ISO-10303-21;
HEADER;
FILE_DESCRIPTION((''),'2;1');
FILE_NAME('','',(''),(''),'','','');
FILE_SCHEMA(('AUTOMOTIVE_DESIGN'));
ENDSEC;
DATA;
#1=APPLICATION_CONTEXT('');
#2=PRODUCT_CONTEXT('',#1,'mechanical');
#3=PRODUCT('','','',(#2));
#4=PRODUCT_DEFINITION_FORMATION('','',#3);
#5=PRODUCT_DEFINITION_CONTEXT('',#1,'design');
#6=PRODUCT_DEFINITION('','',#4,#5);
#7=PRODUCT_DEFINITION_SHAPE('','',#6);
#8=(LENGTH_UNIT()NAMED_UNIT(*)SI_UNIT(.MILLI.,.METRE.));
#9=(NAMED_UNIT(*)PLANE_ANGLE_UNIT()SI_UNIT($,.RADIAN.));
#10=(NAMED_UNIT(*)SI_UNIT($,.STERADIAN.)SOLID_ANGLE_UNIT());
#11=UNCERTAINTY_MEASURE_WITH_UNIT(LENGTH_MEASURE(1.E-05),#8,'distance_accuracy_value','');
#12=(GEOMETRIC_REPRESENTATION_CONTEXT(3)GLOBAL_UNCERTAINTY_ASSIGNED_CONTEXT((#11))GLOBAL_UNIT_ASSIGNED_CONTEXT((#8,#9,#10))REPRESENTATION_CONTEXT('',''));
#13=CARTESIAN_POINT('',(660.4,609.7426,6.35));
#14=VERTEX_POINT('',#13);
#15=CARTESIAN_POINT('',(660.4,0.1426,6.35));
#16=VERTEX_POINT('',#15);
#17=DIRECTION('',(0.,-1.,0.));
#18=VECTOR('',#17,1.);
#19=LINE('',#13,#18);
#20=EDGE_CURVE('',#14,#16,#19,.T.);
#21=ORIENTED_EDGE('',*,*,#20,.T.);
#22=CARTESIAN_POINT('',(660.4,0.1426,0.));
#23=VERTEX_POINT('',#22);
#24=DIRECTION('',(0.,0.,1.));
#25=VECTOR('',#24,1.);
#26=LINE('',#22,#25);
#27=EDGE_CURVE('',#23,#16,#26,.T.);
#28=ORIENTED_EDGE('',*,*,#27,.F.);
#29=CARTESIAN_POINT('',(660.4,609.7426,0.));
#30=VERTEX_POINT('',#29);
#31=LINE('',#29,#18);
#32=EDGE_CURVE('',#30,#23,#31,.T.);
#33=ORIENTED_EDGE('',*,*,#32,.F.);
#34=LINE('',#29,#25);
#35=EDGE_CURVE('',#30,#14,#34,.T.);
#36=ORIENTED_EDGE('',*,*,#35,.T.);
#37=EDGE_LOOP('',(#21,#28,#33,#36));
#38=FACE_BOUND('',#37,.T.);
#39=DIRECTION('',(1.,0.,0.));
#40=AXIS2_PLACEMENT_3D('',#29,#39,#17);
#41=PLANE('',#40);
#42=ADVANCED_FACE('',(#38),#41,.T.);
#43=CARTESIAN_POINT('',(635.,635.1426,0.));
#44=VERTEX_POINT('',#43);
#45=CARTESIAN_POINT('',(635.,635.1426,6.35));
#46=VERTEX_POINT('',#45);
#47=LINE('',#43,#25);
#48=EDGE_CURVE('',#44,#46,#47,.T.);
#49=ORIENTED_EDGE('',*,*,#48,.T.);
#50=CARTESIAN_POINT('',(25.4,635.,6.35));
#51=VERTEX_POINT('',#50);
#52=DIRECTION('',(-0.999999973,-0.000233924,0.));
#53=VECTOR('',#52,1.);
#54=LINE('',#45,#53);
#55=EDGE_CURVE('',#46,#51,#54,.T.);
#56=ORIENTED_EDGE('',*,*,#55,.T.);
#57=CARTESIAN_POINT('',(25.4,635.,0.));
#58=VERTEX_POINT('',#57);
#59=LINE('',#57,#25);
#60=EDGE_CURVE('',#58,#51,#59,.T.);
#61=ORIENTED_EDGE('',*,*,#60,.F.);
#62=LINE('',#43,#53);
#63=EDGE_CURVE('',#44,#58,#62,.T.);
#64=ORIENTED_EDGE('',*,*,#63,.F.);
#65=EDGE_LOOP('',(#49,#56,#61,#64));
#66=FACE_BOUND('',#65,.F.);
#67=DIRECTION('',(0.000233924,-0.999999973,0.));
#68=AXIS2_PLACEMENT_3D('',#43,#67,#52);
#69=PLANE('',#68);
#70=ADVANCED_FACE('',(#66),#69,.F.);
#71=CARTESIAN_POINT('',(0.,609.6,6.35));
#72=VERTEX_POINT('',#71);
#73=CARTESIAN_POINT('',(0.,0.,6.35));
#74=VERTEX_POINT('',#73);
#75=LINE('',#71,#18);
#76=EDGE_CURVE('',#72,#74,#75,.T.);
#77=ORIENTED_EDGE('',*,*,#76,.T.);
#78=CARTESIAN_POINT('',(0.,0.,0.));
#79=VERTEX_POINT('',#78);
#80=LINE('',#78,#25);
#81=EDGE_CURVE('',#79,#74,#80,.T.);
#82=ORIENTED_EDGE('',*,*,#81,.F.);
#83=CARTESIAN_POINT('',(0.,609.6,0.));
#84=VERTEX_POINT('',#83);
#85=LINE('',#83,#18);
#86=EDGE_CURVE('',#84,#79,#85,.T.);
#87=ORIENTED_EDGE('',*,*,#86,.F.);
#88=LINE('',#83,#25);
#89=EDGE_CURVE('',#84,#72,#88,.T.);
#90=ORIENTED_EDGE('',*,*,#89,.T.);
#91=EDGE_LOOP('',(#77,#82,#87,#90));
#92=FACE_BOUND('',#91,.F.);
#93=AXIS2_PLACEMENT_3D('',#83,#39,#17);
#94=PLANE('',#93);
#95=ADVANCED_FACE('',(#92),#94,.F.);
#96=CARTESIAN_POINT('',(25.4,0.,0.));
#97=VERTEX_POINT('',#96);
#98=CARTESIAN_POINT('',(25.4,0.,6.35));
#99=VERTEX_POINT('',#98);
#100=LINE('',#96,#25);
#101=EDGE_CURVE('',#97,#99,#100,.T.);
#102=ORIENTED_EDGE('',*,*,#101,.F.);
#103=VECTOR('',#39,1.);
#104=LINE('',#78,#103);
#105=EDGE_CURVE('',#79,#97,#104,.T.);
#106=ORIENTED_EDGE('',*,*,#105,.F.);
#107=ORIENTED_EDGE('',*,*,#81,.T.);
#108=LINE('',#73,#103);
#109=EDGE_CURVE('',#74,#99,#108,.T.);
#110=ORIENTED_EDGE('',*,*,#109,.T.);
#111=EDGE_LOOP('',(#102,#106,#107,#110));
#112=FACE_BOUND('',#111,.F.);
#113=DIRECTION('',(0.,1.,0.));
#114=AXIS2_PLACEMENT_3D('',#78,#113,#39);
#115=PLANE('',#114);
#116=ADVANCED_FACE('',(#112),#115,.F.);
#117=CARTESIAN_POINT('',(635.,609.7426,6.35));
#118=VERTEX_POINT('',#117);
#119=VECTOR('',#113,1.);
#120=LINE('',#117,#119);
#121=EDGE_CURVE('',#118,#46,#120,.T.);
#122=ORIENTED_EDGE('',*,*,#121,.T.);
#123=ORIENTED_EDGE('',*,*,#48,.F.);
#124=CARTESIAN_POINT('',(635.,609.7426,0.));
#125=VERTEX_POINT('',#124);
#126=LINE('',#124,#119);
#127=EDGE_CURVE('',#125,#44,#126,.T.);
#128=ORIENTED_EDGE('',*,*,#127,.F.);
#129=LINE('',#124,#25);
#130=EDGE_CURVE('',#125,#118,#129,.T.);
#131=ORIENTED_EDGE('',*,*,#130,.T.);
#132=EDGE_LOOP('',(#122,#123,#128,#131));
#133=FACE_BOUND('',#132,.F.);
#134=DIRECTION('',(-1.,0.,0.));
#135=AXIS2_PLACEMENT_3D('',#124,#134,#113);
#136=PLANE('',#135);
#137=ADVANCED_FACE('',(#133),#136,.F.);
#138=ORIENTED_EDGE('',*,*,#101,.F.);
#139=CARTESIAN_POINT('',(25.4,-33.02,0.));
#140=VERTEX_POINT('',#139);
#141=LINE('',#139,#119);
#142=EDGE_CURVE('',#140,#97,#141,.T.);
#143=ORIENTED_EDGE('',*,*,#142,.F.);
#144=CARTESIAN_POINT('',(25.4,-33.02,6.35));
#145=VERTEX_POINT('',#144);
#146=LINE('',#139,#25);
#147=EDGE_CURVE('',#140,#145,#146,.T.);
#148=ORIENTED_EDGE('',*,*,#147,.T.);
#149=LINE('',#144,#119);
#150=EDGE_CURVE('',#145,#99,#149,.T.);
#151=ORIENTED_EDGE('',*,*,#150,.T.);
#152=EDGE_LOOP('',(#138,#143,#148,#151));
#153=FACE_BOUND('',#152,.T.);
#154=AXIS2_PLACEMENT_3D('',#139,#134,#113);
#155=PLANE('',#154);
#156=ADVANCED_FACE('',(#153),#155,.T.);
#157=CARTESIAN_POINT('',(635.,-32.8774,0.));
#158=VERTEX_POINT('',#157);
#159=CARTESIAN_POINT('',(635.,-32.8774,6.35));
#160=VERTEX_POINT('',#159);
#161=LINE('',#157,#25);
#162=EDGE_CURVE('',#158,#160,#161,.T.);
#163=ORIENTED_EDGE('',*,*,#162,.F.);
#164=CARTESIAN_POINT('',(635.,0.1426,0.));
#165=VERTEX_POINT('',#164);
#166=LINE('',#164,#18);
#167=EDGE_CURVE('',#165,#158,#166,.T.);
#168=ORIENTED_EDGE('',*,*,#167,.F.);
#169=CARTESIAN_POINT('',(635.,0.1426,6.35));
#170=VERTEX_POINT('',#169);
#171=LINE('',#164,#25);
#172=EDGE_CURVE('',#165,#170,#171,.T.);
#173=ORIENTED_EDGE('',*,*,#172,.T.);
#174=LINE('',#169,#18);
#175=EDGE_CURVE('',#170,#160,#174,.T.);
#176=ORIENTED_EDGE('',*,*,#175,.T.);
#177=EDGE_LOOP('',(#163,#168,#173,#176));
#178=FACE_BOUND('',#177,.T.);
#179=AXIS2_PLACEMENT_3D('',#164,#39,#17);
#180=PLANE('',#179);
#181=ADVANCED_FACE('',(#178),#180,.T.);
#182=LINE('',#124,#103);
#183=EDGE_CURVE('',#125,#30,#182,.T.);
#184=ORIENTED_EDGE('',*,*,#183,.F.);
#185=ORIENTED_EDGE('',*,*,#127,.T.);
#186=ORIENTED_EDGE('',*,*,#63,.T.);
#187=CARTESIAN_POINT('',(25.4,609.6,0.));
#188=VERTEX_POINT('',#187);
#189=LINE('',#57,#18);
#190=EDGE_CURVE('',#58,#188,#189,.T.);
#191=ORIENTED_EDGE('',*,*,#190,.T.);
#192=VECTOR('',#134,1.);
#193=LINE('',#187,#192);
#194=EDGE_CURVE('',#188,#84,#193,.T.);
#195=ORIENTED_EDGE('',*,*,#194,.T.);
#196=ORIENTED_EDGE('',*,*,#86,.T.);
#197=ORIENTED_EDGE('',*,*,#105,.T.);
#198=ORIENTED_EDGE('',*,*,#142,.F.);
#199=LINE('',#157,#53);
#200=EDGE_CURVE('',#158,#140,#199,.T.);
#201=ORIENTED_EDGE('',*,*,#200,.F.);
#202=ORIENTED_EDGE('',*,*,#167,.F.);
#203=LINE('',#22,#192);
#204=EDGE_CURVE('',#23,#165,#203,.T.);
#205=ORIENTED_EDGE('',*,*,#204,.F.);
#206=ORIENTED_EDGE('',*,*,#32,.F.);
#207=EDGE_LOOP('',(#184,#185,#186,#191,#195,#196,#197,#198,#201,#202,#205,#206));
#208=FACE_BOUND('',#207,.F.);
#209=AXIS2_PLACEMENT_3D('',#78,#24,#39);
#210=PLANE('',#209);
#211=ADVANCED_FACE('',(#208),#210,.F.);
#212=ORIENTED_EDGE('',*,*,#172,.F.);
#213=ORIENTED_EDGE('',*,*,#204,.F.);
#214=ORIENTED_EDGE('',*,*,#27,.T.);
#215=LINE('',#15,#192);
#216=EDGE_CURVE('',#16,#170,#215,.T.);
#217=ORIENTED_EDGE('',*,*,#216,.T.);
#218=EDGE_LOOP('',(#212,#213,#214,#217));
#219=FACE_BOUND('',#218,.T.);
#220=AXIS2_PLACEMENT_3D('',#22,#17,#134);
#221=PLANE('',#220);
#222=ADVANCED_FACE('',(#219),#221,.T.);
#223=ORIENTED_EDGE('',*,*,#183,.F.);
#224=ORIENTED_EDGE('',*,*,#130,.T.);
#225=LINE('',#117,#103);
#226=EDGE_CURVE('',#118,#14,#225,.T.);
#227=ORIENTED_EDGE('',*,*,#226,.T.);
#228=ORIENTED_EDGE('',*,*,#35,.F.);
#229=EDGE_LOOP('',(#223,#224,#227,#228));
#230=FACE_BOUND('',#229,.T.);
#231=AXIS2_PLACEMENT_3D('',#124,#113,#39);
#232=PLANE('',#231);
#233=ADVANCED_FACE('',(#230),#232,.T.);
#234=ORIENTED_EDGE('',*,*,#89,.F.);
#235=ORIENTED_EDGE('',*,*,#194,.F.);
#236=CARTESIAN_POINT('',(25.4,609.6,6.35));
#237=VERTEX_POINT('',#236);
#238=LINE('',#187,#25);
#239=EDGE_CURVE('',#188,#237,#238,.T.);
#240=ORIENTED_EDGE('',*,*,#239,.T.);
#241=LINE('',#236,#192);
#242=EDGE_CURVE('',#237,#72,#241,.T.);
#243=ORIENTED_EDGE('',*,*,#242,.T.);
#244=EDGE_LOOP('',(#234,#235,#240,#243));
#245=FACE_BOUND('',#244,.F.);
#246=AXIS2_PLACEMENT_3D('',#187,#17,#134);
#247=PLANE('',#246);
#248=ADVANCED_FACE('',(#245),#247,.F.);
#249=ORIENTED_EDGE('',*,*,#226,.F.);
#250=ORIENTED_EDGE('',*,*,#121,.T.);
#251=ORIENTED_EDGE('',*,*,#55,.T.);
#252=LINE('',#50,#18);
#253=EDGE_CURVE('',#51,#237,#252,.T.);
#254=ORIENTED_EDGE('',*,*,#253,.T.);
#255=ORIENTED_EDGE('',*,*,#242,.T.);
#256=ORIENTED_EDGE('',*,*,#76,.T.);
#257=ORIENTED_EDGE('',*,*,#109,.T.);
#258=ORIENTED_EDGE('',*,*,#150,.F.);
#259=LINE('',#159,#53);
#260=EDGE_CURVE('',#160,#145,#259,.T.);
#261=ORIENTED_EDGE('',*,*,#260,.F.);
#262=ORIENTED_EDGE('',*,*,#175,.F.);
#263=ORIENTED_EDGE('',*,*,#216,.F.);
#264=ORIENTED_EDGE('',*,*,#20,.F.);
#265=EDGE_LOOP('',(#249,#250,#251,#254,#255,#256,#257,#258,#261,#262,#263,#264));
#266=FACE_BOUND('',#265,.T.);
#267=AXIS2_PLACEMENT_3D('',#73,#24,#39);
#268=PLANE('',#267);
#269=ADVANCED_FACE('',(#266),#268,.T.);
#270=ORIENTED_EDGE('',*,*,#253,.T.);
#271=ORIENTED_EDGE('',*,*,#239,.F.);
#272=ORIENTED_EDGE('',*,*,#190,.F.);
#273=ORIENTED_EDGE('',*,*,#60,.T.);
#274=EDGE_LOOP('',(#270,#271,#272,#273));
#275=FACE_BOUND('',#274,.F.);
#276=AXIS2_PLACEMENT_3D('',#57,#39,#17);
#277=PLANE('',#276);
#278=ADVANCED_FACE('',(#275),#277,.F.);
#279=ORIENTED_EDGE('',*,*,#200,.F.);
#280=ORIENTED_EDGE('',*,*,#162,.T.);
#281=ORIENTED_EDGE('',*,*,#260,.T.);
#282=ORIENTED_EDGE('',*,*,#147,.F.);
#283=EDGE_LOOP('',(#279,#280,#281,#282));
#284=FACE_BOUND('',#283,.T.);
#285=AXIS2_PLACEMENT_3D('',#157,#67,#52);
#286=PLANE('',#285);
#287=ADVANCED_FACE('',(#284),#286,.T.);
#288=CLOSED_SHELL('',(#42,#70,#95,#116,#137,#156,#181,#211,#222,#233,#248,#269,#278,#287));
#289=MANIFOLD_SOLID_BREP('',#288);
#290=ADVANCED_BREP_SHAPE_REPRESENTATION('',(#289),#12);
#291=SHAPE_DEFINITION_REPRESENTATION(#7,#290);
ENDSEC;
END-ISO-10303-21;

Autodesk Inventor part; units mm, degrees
ref_plane "YZ Plane" through (0, 0, 0) normal (1, 0, 0) x (0, 1, 0)
ref_plane "XZ Plane" through (0, 0, 0) normal (0, 1, 0) x (-1, 0, 0)
ref_plane "XY Plane" through (0, 0, 0) normal (0, 0, 1) x (1, 0, 0)
sketch "Sketch1" plane through (0, 0, 0) normal (0, 0, 1) x (1, 0, 0)
  point P0 (0, 0)
sketch "Sketch2" plane through (0, 0, 0) normal (0, 0, 1) x (1, 0, 0)
  line L0 (0, 0) -> (25.4, 0)
  line L1 (25.4, 609.6) -> (0, 609.6)
  line L2 (0, 609.6) -> (0, 0)
  line L3 (635, 0.1426) -> (635, -32.8774)
  line L4 (635, -32.8774) -> (25.4, -33.02)
  line L5 (25.4, -33.02) -> (25.4, 0)
  line L6 (635, 609.7426) -> (635, 635.1426)
  line L7 (635, 635.1426) -> (25.4, 635)
  line L8 (25.4, 635) -> (25.4, 609.6)
  line L9 (635, 609.7426) -> (660.4, 609.7426)
  line L10 (660.4, 609.7426) -> (660.4, 0.1426)
  line L11 (660.4, 0.1426) -> (635, 0.1426)
  dimension "d7" = 609.6
  dimension "d8" = 609.6
  dimension "d9" = 25.4
  dimension "d10" = 25.4
  dimension "d13" = 33.02
extrude "Extrusion1" add sketch "Sketch2" along normal blind 6.35
properties part number "top_panel"
